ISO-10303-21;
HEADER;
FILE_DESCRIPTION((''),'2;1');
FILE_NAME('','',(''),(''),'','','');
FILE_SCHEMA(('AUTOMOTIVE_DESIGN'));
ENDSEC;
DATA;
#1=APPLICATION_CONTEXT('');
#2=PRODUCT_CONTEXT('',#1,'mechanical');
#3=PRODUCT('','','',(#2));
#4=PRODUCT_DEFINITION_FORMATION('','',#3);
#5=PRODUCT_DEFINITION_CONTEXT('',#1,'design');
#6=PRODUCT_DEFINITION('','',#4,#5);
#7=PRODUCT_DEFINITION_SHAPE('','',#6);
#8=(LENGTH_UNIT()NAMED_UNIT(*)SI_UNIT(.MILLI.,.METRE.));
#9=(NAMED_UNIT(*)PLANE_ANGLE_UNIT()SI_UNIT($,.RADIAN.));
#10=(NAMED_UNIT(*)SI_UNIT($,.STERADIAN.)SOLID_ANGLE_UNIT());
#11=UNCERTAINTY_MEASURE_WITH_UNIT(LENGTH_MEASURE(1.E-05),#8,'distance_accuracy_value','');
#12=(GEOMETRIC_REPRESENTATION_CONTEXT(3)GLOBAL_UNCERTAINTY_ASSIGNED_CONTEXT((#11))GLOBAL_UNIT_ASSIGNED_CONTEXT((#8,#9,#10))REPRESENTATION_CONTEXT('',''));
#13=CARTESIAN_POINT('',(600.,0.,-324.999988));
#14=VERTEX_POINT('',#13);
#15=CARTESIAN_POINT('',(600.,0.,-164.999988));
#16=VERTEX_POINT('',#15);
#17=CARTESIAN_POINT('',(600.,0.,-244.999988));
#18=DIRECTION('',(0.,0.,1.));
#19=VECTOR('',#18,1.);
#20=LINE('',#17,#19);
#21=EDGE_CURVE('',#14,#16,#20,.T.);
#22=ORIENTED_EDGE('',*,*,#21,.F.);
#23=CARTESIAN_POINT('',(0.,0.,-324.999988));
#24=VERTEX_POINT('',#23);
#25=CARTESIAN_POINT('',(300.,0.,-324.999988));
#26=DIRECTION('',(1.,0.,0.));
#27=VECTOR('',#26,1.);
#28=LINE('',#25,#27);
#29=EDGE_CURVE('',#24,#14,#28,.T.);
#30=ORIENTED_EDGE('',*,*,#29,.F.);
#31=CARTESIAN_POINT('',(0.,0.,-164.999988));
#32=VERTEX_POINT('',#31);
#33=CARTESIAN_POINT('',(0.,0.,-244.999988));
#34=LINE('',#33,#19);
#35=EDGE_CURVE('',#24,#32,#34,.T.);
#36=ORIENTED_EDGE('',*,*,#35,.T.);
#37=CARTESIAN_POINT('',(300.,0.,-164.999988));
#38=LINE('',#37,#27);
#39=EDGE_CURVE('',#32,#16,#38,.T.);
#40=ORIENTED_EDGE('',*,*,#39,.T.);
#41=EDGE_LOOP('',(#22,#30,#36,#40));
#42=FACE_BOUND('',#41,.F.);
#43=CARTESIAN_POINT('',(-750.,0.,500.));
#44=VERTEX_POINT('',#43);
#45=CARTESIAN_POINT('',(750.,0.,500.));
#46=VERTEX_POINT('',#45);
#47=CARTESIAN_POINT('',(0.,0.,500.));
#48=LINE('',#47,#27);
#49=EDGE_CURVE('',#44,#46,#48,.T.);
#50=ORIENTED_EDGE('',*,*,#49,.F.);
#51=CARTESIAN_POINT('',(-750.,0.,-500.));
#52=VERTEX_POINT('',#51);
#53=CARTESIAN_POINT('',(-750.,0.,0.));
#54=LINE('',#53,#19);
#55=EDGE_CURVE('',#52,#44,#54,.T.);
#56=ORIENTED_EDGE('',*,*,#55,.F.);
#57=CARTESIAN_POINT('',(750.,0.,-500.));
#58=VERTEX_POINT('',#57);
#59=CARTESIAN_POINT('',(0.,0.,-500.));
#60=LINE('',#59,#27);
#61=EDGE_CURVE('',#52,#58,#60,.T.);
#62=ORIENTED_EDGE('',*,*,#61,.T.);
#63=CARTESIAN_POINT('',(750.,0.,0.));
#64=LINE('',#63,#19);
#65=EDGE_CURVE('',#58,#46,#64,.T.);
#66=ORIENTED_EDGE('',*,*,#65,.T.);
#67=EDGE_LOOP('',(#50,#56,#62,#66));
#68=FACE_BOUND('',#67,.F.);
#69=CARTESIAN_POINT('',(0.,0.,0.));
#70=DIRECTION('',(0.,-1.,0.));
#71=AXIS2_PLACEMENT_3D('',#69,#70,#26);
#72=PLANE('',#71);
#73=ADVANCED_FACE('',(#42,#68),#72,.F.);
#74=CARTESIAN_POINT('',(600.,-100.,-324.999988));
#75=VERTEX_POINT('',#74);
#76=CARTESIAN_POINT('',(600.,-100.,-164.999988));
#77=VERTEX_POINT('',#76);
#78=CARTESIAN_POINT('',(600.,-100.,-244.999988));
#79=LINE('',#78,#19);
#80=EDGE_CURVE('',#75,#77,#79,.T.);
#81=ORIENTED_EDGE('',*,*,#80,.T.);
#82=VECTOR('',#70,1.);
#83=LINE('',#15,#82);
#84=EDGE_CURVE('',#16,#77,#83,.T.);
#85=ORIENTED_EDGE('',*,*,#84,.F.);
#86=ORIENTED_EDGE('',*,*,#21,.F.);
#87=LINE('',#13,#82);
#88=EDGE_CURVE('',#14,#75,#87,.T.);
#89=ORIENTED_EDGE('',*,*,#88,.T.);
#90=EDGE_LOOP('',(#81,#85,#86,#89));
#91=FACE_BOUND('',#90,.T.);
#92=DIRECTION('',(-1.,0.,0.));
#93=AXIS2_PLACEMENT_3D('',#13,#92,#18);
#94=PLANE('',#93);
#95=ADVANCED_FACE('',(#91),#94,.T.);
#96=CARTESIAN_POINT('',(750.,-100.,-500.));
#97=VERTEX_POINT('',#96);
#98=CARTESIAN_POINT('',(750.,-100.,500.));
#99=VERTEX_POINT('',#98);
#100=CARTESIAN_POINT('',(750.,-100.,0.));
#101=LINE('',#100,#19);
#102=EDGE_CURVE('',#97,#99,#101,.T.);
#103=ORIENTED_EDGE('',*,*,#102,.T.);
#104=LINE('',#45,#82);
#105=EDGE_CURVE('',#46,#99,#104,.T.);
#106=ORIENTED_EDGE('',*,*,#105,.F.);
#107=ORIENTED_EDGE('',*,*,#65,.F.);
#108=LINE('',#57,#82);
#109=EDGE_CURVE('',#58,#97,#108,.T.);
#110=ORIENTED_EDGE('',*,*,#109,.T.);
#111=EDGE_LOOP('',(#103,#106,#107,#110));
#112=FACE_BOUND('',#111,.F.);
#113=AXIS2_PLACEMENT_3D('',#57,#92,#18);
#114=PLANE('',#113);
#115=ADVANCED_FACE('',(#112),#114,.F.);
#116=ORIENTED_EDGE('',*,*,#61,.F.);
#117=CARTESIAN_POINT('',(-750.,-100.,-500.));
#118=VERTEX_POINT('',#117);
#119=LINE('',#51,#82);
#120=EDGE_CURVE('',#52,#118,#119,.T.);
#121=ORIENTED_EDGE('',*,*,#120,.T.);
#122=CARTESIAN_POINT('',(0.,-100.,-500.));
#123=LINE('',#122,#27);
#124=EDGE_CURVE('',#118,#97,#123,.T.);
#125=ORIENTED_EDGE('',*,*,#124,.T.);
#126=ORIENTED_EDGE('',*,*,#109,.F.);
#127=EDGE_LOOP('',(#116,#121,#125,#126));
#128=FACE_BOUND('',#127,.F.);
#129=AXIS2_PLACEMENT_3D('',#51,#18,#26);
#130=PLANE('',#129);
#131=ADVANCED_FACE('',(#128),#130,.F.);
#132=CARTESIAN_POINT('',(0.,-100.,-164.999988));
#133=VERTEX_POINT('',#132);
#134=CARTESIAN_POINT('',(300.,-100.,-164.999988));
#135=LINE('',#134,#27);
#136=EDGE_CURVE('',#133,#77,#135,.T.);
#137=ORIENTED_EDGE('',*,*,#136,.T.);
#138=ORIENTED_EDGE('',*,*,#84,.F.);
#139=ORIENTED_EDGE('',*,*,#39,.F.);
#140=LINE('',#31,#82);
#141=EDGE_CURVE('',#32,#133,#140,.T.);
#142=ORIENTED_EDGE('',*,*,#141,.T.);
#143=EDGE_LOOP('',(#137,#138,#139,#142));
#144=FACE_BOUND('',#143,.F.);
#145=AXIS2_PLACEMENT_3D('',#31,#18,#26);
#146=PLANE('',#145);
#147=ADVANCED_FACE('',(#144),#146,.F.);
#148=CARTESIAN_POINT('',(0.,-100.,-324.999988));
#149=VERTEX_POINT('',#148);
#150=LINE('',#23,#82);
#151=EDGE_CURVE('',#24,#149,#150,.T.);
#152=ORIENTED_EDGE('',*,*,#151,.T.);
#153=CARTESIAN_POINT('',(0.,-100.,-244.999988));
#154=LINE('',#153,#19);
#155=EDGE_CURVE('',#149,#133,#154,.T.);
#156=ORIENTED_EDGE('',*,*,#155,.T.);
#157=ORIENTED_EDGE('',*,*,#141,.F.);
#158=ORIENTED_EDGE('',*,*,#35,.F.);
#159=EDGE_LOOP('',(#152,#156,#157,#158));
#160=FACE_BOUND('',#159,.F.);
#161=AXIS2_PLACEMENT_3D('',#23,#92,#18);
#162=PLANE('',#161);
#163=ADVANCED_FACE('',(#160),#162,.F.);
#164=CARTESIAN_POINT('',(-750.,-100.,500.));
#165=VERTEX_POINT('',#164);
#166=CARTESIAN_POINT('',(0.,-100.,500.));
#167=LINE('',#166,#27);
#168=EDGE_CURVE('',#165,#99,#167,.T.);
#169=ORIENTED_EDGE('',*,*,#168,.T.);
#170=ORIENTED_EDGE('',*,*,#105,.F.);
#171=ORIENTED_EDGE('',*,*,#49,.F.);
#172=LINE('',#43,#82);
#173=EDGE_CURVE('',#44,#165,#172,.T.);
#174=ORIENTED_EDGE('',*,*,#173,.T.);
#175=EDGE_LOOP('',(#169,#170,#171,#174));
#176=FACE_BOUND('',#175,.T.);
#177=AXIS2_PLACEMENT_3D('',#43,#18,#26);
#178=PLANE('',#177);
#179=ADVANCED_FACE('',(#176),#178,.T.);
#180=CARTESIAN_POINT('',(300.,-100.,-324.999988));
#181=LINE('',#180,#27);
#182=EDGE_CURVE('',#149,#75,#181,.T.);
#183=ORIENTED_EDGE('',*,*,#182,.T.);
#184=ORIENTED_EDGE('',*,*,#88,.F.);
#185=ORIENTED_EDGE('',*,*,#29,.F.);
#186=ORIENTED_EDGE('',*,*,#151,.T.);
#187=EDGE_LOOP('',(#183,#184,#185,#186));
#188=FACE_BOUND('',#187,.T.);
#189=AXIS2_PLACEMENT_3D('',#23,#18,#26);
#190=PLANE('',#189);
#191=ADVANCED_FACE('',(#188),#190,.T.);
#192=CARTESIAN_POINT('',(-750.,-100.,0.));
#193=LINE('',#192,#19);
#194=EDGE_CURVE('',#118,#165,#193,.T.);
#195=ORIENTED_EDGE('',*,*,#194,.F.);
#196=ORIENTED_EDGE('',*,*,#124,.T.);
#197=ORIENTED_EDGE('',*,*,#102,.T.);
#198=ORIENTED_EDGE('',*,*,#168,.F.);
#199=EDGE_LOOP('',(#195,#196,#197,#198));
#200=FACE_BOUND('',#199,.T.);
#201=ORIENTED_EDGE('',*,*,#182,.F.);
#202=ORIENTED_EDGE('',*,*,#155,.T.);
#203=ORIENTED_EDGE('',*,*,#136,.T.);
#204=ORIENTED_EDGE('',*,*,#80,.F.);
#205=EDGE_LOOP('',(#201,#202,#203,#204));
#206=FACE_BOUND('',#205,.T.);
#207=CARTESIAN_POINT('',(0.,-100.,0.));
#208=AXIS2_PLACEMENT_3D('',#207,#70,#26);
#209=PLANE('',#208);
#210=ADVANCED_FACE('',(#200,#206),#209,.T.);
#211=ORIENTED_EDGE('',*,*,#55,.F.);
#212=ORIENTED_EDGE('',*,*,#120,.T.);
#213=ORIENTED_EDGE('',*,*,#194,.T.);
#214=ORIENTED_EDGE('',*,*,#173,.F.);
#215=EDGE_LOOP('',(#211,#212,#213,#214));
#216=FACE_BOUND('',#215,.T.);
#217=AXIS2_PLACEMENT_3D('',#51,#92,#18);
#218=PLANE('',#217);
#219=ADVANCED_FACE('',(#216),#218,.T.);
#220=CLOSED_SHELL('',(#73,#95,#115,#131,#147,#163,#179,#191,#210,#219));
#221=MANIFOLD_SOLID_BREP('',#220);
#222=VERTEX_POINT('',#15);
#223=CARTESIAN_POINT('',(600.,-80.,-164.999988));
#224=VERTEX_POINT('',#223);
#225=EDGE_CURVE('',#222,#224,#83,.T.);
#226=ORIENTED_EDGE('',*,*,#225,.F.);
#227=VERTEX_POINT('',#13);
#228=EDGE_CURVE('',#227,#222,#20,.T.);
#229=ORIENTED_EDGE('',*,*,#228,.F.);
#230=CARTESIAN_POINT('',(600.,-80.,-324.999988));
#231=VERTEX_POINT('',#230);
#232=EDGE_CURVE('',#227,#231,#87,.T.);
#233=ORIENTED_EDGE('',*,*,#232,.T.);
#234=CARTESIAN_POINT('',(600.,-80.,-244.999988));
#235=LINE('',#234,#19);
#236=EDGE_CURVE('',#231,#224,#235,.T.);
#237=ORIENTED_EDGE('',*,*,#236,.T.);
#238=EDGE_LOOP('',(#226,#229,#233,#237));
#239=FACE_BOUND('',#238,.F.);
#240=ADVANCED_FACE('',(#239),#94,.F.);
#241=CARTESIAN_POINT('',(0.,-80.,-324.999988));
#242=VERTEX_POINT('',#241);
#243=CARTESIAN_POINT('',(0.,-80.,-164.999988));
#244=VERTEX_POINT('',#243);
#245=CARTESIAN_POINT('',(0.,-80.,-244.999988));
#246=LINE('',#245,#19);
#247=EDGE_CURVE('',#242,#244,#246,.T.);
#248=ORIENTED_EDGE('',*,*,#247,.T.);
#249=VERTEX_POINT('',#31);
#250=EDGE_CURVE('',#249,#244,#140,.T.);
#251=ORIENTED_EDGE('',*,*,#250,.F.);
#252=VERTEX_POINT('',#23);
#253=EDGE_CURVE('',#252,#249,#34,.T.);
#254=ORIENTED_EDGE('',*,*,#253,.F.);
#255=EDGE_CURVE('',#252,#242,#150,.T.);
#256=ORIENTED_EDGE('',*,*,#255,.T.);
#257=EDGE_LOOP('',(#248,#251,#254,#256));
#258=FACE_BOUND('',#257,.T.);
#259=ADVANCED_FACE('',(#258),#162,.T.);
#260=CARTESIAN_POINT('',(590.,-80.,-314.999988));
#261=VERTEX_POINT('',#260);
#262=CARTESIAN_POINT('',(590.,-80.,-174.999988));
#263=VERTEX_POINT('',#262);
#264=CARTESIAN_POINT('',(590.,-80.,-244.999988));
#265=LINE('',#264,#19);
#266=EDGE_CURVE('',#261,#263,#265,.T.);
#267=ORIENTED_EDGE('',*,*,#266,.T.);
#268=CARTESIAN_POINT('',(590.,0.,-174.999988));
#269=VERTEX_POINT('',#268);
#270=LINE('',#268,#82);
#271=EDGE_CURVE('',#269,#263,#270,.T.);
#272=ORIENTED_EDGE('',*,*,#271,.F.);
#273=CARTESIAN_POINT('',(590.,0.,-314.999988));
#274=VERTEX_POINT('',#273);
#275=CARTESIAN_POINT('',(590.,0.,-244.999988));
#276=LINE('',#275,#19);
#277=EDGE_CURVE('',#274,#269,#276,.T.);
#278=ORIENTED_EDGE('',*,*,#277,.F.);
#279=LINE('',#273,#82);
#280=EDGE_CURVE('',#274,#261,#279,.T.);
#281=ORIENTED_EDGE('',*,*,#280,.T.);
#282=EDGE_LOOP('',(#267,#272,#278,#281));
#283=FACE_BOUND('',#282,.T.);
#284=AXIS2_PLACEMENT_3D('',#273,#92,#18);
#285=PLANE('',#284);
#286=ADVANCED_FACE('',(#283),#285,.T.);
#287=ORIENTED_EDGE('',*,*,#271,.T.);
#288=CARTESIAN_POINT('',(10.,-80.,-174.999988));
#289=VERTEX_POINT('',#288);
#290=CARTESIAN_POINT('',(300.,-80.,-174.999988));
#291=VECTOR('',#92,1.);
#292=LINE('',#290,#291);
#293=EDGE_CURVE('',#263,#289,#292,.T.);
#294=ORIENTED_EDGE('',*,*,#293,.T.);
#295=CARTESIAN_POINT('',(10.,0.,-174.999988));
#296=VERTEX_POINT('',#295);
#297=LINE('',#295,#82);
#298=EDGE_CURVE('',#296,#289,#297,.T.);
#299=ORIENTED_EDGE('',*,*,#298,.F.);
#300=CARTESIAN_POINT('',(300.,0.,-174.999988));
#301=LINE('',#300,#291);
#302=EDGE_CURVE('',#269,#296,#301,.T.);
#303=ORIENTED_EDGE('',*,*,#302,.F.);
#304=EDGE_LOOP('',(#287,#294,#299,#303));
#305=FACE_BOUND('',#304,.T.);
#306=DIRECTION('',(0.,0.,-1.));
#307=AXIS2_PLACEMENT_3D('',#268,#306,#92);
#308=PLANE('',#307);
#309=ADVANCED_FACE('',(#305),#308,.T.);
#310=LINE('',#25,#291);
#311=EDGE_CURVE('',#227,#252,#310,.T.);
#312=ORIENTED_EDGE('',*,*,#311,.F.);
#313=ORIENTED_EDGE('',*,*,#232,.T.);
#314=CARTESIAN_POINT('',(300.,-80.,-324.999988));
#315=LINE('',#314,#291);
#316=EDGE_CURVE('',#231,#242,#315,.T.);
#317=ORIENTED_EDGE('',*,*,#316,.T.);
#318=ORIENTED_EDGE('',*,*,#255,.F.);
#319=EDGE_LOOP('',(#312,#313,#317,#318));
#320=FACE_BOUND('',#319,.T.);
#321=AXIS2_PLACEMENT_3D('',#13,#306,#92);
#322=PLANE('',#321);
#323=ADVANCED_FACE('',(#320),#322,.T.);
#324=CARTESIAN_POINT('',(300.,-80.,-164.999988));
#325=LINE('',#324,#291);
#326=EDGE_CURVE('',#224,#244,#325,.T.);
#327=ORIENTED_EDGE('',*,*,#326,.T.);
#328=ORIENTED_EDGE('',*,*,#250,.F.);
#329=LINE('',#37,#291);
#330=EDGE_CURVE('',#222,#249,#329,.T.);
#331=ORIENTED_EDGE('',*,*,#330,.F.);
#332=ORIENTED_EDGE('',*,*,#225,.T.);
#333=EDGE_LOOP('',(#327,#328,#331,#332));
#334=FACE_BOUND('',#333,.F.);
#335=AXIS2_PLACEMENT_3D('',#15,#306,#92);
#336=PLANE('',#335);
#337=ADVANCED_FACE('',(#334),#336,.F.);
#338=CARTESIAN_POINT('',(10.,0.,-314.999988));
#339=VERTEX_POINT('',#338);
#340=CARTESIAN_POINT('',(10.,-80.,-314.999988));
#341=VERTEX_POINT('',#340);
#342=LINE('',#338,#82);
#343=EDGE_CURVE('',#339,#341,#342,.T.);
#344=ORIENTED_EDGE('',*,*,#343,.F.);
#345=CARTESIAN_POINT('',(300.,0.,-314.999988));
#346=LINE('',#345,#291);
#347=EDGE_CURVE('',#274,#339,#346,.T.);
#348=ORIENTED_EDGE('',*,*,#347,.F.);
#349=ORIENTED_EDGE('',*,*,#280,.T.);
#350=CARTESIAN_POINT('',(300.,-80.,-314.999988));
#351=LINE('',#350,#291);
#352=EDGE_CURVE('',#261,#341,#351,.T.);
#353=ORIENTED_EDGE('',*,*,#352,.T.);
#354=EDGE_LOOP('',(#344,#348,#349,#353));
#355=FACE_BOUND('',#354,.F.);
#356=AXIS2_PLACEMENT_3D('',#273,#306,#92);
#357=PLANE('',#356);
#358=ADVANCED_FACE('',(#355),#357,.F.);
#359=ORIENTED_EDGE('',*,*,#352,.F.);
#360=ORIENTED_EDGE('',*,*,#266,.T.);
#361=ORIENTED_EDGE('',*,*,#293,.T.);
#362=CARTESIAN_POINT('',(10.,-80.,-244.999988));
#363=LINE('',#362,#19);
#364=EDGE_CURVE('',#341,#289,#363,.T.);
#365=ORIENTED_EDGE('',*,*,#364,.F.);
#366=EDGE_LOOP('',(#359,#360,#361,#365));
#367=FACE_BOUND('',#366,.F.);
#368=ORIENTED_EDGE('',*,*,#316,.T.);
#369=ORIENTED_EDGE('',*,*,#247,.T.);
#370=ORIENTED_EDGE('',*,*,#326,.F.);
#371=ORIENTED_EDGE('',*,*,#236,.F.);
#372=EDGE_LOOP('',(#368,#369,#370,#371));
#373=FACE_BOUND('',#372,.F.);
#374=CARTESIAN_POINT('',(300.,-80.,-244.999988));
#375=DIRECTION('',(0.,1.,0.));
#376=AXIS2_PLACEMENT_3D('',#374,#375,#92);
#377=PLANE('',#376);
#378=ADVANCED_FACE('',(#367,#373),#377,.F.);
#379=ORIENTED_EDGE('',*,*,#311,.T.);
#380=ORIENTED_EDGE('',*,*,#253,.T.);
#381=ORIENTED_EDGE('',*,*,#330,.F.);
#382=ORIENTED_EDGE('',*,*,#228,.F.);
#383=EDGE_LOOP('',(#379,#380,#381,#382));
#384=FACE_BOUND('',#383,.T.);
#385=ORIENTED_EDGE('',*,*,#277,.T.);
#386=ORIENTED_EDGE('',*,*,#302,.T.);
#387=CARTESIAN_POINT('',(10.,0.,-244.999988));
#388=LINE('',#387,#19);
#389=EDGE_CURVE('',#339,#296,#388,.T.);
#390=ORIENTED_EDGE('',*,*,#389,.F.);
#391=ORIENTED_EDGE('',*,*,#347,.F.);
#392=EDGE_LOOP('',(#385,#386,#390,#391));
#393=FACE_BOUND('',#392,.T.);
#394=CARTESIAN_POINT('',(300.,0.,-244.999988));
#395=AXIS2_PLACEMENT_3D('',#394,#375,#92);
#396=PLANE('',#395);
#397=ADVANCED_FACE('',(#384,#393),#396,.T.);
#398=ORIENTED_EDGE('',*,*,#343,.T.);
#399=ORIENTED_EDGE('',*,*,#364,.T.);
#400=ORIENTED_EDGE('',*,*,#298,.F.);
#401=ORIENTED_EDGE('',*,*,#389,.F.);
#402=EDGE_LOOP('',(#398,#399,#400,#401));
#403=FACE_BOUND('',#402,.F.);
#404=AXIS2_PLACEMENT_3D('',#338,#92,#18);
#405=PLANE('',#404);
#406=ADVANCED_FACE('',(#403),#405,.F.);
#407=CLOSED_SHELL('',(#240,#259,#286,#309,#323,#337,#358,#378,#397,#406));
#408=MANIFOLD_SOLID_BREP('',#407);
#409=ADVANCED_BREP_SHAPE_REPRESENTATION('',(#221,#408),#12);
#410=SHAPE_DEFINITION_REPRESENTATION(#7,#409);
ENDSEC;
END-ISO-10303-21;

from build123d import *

# Parameters (mm, degrees)
F0_W     = 1500
F0_H     = 1000
F0_W_2   = 600
F0_H_2   = 160
F1_DEPTH = 100
F2_W     = 600
F2_H     = 160
F2_W_2   = 580
F2_H_2   = 140
F3_DEPTH = 80


with BuildPart() as f1:
    # F0 (on Front) → F1 (new body)
    with BuildSketch(Plane.XZ):
        Rectangle(F0_W, F0_H)
        with Locations((300, -244.999988)):
            Rectangle(F0_W_2, F0_H_2, mode=Mode.SUBTRACT)
    extrude(amount=F1_DEPTH)


with BuildPart() as f3:
    # F2 (on face) → F3 (new body)
    with BuildSketch(Plane(origin=(0, 0, 0), x_dir=(-1, 0, 0), z_dir=(0, 1, 0))):
        with Locations((-300, -244.999988)):
            Rectangle(F2_W, F2_H)
        with Locations((-300, -244.999988)):
            Rectangle(F2_W_2, F2_H_2, mode=Mode.SUBTRACT)
    extrude(amount=-F3_DEPTH)


solid = Compound([f1.part, f3.part])
